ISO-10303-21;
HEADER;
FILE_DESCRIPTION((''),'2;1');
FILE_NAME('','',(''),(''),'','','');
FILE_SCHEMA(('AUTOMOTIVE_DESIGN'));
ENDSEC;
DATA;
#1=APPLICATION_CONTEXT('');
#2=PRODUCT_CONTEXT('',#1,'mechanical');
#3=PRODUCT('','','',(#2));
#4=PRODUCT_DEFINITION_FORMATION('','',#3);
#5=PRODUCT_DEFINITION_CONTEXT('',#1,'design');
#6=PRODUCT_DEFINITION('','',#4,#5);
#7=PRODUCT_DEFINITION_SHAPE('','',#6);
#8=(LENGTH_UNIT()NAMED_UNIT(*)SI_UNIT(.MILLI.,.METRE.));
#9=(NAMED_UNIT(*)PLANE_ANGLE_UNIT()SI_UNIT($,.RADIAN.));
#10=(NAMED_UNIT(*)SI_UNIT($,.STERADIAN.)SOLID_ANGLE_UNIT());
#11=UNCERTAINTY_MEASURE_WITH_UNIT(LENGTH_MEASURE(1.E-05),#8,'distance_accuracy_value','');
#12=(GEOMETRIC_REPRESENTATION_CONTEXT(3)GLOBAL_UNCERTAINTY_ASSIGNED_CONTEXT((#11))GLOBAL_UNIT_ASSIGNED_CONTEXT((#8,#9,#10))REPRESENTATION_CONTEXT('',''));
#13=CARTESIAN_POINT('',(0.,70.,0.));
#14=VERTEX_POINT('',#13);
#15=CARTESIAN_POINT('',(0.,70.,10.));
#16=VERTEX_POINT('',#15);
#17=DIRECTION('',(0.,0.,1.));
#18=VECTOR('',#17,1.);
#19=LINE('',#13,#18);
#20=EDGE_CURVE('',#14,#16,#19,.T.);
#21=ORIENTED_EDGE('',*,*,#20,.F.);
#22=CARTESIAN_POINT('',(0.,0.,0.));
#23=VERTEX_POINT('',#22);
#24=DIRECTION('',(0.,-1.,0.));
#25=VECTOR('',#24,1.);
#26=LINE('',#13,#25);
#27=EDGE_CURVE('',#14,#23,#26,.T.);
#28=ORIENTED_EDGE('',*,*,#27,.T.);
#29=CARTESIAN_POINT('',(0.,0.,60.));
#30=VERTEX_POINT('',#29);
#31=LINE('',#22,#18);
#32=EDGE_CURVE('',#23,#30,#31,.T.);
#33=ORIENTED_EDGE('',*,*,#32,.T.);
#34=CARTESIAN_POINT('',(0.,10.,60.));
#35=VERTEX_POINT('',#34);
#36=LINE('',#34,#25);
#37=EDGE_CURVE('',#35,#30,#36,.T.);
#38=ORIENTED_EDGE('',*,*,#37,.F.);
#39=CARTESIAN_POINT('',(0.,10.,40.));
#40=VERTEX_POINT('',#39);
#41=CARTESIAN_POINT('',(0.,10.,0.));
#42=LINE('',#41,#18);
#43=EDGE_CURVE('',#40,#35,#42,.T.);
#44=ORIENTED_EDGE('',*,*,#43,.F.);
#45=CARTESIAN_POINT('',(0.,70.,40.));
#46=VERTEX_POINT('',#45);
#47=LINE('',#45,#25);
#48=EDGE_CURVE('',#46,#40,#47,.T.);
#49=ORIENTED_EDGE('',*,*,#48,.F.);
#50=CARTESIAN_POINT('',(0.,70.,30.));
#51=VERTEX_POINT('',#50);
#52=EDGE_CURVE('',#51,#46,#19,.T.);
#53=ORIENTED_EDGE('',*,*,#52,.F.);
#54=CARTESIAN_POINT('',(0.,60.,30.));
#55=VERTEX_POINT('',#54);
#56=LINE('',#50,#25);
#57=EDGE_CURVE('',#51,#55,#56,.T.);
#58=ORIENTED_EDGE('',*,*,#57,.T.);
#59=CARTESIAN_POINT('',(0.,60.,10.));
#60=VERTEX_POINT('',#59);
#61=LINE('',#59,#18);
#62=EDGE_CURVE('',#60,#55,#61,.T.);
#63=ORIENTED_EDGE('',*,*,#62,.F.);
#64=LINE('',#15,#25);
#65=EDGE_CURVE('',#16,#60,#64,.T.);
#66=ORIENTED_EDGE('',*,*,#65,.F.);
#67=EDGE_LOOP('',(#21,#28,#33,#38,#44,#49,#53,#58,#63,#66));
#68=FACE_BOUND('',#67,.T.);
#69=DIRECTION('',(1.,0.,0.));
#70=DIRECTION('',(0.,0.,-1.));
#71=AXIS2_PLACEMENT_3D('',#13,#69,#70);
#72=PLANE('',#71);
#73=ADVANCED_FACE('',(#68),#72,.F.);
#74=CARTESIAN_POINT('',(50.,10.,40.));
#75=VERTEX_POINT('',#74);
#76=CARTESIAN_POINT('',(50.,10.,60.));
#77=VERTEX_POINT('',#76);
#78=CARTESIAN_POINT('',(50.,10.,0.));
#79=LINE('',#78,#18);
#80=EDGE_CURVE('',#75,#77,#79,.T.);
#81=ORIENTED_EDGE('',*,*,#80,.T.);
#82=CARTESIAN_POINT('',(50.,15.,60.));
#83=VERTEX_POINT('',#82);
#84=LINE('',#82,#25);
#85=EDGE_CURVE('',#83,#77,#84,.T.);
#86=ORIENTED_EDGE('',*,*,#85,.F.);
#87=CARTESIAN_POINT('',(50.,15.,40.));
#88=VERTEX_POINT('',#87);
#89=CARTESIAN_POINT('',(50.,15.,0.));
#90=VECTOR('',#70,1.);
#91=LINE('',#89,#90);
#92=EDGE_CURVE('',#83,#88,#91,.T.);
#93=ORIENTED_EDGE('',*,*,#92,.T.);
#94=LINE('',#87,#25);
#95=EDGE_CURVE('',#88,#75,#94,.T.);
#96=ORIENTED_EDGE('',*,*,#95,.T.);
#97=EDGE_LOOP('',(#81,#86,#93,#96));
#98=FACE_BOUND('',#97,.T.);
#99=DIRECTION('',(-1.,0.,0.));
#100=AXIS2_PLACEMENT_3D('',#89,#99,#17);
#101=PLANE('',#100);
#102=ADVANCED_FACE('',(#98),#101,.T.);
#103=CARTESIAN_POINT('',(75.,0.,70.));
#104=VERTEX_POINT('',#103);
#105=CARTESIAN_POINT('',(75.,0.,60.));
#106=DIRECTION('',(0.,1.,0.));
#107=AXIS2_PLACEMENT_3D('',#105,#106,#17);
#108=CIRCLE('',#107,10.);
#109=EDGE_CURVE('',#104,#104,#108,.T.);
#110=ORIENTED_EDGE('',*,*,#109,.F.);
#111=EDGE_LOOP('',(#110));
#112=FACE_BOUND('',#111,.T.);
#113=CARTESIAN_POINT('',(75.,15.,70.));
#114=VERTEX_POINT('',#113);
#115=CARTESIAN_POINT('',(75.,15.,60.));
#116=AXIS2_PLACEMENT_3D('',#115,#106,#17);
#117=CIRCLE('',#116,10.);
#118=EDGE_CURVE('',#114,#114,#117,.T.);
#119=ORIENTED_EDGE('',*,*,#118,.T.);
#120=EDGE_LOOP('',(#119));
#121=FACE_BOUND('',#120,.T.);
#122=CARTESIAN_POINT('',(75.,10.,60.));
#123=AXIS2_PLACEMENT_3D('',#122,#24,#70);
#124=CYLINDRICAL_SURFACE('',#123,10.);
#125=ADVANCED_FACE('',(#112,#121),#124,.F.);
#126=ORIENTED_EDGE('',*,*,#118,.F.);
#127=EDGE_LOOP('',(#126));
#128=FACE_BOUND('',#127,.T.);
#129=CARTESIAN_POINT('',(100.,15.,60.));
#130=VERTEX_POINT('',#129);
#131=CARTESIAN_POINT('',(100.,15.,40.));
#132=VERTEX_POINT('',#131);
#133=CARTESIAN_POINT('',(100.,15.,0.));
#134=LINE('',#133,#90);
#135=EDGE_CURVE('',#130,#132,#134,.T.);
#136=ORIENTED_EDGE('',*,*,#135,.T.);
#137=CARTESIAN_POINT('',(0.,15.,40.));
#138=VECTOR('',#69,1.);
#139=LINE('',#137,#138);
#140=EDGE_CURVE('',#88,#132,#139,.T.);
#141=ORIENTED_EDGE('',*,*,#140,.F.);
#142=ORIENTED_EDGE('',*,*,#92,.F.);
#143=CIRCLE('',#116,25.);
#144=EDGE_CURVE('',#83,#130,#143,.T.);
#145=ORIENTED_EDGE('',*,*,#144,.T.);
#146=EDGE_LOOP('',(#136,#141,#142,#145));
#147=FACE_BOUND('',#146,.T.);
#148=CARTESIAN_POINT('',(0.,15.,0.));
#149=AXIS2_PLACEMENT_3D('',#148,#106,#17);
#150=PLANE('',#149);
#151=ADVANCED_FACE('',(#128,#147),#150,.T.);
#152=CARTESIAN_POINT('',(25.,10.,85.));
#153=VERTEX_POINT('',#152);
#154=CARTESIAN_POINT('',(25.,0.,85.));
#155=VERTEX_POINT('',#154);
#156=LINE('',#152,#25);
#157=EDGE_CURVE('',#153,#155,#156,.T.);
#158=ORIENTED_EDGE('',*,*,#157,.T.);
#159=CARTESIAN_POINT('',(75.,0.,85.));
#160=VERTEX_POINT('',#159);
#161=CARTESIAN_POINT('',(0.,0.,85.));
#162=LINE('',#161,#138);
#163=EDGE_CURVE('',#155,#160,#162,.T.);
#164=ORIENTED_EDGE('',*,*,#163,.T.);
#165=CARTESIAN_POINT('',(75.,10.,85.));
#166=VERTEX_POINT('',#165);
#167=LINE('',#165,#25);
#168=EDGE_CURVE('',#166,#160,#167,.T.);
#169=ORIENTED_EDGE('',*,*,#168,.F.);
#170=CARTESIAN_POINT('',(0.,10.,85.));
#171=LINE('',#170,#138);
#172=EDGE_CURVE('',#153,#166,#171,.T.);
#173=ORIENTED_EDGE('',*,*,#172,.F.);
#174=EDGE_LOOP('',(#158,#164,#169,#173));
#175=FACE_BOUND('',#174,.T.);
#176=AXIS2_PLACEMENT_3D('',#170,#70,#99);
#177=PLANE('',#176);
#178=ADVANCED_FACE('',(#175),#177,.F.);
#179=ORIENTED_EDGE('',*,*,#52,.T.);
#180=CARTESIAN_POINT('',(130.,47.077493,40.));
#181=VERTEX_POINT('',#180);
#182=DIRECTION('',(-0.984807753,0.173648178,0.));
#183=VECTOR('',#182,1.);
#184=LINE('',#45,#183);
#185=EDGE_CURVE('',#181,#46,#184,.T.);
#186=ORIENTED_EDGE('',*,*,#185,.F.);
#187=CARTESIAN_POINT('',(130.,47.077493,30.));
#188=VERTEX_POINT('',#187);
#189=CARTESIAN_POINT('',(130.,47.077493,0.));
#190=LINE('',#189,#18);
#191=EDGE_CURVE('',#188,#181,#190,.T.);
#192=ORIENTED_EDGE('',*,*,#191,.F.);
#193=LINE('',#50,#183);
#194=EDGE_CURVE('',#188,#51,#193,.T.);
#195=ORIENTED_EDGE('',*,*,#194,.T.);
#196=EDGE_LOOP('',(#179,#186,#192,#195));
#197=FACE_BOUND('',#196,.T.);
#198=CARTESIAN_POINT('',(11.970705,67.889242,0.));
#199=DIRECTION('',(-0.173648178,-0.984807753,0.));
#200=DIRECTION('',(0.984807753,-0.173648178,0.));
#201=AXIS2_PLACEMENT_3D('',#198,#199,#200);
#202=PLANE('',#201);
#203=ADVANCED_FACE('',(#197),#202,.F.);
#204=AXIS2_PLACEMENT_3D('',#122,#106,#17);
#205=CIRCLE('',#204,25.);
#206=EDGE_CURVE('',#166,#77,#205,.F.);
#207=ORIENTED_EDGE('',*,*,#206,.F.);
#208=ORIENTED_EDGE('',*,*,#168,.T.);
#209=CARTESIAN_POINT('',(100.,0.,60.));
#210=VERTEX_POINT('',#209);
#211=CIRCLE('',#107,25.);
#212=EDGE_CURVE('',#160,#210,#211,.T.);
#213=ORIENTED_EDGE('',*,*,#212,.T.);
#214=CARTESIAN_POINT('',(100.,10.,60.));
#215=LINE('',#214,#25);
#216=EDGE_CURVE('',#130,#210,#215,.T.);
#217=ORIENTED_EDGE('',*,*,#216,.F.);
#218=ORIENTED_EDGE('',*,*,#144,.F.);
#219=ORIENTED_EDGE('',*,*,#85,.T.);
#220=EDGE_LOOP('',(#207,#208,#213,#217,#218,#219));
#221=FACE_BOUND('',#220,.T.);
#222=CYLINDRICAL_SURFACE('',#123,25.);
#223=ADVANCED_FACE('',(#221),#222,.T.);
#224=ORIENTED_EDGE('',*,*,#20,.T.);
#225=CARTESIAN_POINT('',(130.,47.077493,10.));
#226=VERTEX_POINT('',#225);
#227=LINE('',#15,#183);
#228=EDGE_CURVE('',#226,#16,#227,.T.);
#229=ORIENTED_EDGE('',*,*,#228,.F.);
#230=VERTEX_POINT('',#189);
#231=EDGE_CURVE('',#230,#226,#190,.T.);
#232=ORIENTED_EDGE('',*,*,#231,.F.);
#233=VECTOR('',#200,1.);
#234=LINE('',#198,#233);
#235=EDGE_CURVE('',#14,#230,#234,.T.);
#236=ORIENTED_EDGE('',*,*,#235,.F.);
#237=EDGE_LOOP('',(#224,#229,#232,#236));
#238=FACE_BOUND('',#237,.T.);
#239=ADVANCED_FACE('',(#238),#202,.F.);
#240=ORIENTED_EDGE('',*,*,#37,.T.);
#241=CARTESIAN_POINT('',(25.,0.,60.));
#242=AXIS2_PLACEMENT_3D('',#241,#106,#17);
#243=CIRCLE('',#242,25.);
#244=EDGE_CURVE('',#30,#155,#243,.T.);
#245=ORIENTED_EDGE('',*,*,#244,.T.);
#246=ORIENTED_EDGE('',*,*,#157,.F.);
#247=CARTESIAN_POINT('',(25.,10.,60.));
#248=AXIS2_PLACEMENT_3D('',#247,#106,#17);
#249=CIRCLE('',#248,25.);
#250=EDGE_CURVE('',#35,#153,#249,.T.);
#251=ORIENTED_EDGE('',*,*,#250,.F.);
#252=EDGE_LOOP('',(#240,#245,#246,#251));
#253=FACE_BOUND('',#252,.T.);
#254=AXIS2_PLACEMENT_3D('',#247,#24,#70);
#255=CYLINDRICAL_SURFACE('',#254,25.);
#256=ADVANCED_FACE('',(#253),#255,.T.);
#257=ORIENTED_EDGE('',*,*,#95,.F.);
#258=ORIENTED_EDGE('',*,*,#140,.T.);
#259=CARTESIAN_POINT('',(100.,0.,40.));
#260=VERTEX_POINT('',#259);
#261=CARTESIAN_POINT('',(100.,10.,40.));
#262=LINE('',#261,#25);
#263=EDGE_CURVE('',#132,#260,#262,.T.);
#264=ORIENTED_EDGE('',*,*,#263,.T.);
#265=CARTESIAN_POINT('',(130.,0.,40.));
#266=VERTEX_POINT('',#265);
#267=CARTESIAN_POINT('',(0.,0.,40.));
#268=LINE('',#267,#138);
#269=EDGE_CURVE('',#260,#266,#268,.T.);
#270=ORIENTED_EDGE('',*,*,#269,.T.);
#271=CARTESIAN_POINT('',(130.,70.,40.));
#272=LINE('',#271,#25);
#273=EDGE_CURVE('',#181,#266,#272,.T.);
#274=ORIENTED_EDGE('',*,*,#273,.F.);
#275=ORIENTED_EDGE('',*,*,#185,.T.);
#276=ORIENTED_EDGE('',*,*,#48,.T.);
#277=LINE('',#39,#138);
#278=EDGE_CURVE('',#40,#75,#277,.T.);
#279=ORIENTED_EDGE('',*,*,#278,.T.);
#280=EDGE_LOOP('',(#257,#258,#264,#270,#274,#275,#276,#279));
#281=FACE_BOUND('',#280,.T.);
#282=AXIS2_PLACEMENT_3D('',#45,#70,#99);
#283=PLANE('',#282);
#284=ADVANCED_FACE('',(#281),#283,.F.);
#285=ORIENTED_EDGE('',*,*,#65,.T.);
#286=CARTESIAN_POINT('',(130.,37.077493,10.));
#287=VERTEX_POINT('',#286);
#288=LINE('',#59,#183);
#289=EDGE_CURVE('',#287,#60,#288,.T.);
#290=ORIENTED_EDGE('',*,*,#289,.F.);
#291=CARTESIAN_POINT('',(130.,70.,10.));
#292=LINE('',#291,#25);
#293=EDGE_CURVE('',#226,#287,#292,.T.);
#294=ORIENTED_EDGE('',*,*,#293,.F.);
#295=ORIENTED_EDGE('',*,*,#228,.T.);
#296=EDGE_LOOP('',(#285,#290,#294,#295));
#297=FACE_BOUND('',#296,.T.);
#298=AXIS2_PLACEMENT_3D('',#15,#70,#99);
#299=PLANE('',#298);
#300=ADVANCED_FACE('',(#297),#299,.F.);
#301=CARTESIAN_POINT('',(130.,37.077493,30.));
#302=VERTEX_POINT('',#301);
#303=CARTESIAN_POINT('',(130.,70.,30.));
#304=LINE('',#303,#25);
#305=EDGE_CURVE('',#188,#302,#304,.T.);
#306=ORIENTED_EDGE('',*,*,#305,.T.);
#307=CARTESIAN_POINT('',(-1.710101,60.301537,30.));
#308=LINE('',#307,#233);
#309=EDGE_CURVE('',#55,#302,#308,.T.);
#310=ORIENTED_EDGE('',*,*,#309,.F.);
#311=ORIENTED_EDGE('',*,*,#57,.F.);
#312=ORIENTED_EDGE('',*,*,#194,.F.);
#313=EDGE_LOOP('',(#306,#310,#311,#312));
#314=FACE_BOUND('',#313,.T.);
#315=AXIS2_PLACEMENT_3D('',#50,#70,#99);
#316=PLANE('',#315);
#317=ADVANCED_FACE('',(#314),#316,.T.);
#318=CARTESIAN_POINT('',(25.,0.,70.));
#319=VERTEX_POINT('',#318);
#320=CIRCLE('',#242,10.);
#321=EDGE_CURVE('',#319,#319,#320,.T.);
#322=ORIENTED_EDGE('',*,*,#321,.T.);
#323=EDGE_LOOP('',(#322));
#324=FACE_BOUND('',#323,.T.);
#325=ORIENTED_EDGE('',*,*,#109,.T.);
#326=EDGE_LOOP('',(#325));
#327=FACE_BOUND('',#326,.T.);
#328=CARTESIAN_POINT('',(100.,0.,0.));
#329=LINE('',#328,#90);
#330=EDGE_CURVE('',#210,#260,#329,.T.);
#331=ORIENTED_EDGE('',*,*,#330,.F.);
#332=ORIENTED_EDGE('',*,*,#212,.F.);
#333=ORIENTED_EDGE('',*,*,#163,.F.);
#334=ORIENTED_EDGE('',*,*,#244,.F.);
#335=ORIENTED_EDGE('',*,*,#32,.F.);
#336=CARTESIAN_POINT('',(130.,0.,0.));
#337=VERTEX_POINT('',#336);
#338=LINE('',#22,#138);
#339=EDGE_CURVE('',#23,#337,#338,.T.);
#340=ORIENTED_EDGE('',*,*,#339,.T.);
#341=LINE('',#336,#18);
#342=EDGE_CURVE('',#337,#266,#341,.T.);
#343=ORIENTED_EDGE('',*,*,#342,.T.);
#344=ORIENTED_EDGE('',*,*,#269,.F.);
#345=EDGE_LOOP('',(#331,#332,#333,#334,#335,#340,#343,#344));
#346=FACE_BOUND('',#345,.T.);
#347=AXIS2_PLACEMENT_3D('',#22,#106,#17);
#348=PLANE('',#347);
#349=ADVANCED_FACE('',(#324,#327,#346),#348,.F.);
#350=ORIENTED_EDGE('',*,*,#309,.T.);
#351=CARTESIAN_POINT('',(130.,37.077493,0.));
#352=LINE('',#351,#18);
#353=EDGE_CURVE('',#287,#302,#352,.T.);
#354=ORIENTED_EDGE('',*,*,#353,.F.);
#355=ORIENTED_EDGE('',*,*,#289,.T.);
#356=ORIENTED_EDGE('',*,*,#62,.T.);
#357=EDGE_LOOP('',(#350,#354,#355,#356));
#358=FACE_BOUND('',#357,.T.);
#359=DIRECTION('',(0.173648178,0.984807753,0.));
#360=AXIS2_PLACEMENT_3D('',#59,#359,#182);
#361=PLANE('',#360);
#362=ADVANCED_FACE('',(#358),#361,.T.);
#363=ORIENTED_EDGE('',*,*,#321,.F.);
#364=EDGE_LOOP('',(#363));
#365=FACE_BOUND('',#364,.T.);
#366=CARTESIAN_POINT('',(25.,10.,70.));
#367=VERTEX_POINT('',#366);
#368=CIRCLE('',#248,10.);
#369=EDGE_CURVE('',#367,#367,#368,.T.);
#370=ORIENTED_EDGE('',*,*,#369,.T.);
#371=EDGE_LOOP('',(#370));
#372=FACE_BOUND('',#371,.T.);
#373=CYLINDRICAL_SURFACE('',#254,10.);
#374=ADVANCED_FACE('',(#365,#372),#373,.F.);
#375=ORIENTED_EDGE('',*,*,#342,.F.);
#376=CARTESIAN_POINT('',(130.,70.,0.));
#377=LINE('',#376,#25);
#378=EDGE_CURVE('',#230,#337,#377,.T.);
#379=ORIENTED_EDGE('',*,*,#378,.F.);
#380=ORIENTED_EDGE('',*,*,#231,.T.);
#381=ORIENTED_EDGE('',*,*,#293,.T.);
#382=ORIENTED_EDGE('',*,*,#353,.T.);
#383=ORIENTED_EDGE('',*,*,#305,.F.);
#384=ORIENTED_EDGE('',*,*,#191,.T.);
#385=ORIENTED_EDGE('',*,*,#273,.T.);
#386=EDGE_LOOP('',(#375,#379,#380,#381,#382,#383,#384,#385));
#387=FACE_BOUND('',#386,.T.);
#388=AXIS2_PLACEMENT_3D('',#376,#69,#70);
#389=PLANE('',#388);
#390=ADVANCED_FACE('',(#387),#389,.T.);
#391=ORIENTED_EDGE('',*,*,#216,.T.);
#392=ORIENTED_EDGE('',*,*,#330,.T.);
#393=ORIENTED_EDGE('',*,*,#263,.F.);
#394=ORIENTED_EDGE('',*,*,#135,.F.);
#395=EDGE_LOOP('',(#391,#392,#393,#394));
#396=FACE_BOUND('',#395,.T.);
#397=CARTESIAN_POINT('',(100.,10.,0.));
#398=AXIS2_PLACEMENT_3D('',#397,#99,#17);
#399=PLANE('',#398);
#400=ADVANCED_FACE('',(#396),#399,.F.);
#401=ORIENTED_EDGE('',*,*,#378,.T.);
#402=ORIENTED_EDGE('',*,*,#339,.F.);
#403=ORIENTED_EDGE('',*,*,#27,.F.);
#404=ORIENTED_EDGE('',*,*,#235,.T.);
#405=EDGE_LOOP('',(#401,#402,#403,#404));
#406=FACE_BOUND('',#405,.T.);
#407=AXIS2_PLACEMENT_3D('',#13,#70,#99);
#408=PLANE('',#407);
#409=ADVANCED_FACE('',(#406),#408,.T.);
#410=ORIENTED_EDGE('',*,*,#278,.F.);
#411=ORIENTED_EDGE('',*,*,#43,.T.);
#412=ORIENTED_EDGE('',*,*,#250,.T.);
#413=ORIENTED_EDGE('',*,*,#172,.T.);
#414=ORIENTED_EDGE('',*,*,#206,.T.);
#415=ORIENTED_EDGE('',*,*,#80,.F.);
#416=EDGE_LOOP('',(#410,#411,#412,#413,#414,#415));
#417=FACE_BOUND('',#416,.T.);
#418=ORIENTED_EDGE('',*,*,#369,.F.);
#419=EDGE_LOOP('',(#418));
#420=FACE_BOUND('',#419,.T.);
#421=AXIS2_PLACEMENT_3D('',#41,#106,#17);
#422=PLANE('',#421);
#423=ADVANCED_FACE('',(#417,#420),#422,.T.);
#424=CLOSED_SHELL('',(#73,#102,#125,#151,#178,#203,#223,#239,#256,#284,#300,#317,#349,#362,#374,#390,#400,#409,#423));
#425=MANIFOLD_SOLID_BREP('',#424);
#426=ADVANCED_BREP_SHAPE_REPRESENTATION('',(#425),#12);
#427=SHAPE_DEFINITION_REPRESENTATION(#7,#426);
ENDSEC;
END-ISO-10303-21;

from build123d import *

# Parameters (mm, degrees)
SKETCH_1_W               = 130
SKETCH_1_H               = 10
EXTRUDE_1_DEPTH          = 70
EXTRUDE_1_2_DEPTH        = 70
SKETCH_1_3_W             = 130
SKETCH_1_3_H             = 20
EXTRUDE_2_DEPTH          = 60
SKETCH_3_W               = 20
SKETCH_3_H               = 22.922507492
CUT_EXTRUDE_4_DEPTH      = 130
CUT_EXTRUDE_5_DEPTH      = 153.970585408
CUT_EXTRUDE_5_DEPTH_BACK = 153.970585408
EXTRUDE_3_DEPTH          = 30
SKETCH_1_4_R             = 10
EXTRUDE_4_DEPTH          = 10
SKETCH_1_5_R             = 10
EXTRUDE_5_DEPTH          = 15


with BuildPart() as part:
    # 스케치1 → 보스-돌출1 (new body)
    with BuildSketch(Plane(origin=(0, 0, 0), x_dir=(1, 0, 0), z_dir=(0, 1, 0))):
        with Locations((65, -5)):
            Rectangle(SKETCH_1_W, SKETCH_1_H)
    extrude(amount=EXTRUDE_1_DEPTH)



with BuildPart() as body_2:
    # 스케치1 → Extrude 1 2 (new body)
    with BuildSketch(Plane(origin=(0, 0, 0), x_dir=(1, 0, 0), z_dir=(0, 1, 0))):
        with Locations((65, -35)):
            Rectangle(SKETCH_1_W, SKETCH_1_H)
    extrude(amount=EXTRUDE_1_2_DEPTH)


with BuildPart() as part_1:
    add(part.part)

    add(body_2.part)  # 보스-돌출2 merges body 2
    # 스케치1<3> → 보스-돌출2 (add)
    with BuildSketch(Plane(origin=(0, 0, 0), x_dir=(1, 0, 0), z_dir=(0, 1, 0))):
        with Locations((65, -20)):
            Rectangle(SKETCH_1_3_W, SKETCH_1_3_H)
    extrude(amount=EXTRUDE_2_DEPTH)

    # 스케치3 → 컷-돌출4 (cut)
    with BuildSketch(Plane(origin=(130, 0, 0), x_dir=(0, 0, -1), z_dir=(1, 0, 0))):
        with Locations((-20, 48.538746254)):
            Rectangle(SKETCH_3_W, SKETCH_3_H)
    extrude(amount=-CUT_EXTRUDE_4_DEPTH, mode=Mode.SUBTRACT)

    # 스케치2 → 컷-돌출5 (cut, two sides: drawn at the far end of the back side and taken through both)
    with BuildSketch(Plane.XY.offset(40).offset(-CUT_EXTRUDE_5_DEPTH_BACK)):
        Polygon((130, 70), (0, 70), (130, 47.077492508), align=None)
    extrude(amount=CUT_EXTRUDE_5_DEPTH + CUT_EXTRUDE_5_DEPTH_BACK, mode=Mode.SUBTRACT)

    # 스케치4 → 보스-돌출3 (add)
    with BuildSketch(Plane.XY.offset(40)):
        Polygon((130, 37.077492508), (0, 37.077492508), (0, 60), align=None)
    extrude(amount=-EXTRUDE_3_DEPTH)

    # 스케치1<4> → 보스-돌출4 (add)
    # profile 1 of 2: a face of its own
    with BuildSketch(Plane(origin=(0, 0, 0), x_dir=(1, 0, 0), z_dir=(0, 1, 0))):
        with BuildLine():
            Line((50, -40), (0, -40))
            Line((0, -40), (0, -60))
            ThreePointArc((0, -60), (7.32233047, -77.67766953), (25, -85))
            Line((25, -85), (75, -85))
            ThreePointArc((75, -85), (57.32233047, -77.67766953), (50, -60))
            Line((50, -60), (50, -40))
        make_face()
        with Locations(Location((25, -60, 0), (0, 0, 270))):
            Circle(SKETCH_1_4_R, mode=Mode.SUBTRACT)
    # profile 2 of 2: a face of its own
    with BuildSketch(Plane(origin=(0, 0, 0), x_dir=(1, 0, 0), z_dir=(0, 1, 0))):
        with BuildLine():
            Line((100, -40), (50, -40))
            Line((50, -40), (50, -60))
            ThreePointArc((50, -60), (57.32233047, -77.67766953), (75, -85))
            ThreePointArc((75, -85), (92.67766953, -77.67766953), (100, -60))
            Line((100, -60), (100, -40))
        make_face()
        with Locations(Location((75, -60, 0), (0, 0, 270))):
            Circle(SKETCH_1_4_R, mode=Mode.SUBTRACT)
    extrude(amount=EXTRUDE_4_DEPTH)

    # 스케치1<5> → 보스-돌출5 (add)
    with BuildSketch(Plane(origin=(0, 0, 0), x_dir=(1, 0, 0), z_dir=(0, 1, 0))):
        with BuildLine():
            Line((100, -40), (50, -40))
            Line((50, -40), (50, -60))
            ThreePointArc((50, -60), (57.32233047, -77.67766953), (75, -85))
            ThreePointArc((75, -85), (92.67766953, -77.67766953), (100, -60))
            Line((100, -60), (100, -40))
        make_face()
        with Locations(Location((75, -60, 0), (0, 0, 270))):
            Circle(SKETCH_1_5_R, mode=Mode.SUBTRACT)
    extrude(amount=EXTRUDE_5_DEPTH)


solid = part_1.part
